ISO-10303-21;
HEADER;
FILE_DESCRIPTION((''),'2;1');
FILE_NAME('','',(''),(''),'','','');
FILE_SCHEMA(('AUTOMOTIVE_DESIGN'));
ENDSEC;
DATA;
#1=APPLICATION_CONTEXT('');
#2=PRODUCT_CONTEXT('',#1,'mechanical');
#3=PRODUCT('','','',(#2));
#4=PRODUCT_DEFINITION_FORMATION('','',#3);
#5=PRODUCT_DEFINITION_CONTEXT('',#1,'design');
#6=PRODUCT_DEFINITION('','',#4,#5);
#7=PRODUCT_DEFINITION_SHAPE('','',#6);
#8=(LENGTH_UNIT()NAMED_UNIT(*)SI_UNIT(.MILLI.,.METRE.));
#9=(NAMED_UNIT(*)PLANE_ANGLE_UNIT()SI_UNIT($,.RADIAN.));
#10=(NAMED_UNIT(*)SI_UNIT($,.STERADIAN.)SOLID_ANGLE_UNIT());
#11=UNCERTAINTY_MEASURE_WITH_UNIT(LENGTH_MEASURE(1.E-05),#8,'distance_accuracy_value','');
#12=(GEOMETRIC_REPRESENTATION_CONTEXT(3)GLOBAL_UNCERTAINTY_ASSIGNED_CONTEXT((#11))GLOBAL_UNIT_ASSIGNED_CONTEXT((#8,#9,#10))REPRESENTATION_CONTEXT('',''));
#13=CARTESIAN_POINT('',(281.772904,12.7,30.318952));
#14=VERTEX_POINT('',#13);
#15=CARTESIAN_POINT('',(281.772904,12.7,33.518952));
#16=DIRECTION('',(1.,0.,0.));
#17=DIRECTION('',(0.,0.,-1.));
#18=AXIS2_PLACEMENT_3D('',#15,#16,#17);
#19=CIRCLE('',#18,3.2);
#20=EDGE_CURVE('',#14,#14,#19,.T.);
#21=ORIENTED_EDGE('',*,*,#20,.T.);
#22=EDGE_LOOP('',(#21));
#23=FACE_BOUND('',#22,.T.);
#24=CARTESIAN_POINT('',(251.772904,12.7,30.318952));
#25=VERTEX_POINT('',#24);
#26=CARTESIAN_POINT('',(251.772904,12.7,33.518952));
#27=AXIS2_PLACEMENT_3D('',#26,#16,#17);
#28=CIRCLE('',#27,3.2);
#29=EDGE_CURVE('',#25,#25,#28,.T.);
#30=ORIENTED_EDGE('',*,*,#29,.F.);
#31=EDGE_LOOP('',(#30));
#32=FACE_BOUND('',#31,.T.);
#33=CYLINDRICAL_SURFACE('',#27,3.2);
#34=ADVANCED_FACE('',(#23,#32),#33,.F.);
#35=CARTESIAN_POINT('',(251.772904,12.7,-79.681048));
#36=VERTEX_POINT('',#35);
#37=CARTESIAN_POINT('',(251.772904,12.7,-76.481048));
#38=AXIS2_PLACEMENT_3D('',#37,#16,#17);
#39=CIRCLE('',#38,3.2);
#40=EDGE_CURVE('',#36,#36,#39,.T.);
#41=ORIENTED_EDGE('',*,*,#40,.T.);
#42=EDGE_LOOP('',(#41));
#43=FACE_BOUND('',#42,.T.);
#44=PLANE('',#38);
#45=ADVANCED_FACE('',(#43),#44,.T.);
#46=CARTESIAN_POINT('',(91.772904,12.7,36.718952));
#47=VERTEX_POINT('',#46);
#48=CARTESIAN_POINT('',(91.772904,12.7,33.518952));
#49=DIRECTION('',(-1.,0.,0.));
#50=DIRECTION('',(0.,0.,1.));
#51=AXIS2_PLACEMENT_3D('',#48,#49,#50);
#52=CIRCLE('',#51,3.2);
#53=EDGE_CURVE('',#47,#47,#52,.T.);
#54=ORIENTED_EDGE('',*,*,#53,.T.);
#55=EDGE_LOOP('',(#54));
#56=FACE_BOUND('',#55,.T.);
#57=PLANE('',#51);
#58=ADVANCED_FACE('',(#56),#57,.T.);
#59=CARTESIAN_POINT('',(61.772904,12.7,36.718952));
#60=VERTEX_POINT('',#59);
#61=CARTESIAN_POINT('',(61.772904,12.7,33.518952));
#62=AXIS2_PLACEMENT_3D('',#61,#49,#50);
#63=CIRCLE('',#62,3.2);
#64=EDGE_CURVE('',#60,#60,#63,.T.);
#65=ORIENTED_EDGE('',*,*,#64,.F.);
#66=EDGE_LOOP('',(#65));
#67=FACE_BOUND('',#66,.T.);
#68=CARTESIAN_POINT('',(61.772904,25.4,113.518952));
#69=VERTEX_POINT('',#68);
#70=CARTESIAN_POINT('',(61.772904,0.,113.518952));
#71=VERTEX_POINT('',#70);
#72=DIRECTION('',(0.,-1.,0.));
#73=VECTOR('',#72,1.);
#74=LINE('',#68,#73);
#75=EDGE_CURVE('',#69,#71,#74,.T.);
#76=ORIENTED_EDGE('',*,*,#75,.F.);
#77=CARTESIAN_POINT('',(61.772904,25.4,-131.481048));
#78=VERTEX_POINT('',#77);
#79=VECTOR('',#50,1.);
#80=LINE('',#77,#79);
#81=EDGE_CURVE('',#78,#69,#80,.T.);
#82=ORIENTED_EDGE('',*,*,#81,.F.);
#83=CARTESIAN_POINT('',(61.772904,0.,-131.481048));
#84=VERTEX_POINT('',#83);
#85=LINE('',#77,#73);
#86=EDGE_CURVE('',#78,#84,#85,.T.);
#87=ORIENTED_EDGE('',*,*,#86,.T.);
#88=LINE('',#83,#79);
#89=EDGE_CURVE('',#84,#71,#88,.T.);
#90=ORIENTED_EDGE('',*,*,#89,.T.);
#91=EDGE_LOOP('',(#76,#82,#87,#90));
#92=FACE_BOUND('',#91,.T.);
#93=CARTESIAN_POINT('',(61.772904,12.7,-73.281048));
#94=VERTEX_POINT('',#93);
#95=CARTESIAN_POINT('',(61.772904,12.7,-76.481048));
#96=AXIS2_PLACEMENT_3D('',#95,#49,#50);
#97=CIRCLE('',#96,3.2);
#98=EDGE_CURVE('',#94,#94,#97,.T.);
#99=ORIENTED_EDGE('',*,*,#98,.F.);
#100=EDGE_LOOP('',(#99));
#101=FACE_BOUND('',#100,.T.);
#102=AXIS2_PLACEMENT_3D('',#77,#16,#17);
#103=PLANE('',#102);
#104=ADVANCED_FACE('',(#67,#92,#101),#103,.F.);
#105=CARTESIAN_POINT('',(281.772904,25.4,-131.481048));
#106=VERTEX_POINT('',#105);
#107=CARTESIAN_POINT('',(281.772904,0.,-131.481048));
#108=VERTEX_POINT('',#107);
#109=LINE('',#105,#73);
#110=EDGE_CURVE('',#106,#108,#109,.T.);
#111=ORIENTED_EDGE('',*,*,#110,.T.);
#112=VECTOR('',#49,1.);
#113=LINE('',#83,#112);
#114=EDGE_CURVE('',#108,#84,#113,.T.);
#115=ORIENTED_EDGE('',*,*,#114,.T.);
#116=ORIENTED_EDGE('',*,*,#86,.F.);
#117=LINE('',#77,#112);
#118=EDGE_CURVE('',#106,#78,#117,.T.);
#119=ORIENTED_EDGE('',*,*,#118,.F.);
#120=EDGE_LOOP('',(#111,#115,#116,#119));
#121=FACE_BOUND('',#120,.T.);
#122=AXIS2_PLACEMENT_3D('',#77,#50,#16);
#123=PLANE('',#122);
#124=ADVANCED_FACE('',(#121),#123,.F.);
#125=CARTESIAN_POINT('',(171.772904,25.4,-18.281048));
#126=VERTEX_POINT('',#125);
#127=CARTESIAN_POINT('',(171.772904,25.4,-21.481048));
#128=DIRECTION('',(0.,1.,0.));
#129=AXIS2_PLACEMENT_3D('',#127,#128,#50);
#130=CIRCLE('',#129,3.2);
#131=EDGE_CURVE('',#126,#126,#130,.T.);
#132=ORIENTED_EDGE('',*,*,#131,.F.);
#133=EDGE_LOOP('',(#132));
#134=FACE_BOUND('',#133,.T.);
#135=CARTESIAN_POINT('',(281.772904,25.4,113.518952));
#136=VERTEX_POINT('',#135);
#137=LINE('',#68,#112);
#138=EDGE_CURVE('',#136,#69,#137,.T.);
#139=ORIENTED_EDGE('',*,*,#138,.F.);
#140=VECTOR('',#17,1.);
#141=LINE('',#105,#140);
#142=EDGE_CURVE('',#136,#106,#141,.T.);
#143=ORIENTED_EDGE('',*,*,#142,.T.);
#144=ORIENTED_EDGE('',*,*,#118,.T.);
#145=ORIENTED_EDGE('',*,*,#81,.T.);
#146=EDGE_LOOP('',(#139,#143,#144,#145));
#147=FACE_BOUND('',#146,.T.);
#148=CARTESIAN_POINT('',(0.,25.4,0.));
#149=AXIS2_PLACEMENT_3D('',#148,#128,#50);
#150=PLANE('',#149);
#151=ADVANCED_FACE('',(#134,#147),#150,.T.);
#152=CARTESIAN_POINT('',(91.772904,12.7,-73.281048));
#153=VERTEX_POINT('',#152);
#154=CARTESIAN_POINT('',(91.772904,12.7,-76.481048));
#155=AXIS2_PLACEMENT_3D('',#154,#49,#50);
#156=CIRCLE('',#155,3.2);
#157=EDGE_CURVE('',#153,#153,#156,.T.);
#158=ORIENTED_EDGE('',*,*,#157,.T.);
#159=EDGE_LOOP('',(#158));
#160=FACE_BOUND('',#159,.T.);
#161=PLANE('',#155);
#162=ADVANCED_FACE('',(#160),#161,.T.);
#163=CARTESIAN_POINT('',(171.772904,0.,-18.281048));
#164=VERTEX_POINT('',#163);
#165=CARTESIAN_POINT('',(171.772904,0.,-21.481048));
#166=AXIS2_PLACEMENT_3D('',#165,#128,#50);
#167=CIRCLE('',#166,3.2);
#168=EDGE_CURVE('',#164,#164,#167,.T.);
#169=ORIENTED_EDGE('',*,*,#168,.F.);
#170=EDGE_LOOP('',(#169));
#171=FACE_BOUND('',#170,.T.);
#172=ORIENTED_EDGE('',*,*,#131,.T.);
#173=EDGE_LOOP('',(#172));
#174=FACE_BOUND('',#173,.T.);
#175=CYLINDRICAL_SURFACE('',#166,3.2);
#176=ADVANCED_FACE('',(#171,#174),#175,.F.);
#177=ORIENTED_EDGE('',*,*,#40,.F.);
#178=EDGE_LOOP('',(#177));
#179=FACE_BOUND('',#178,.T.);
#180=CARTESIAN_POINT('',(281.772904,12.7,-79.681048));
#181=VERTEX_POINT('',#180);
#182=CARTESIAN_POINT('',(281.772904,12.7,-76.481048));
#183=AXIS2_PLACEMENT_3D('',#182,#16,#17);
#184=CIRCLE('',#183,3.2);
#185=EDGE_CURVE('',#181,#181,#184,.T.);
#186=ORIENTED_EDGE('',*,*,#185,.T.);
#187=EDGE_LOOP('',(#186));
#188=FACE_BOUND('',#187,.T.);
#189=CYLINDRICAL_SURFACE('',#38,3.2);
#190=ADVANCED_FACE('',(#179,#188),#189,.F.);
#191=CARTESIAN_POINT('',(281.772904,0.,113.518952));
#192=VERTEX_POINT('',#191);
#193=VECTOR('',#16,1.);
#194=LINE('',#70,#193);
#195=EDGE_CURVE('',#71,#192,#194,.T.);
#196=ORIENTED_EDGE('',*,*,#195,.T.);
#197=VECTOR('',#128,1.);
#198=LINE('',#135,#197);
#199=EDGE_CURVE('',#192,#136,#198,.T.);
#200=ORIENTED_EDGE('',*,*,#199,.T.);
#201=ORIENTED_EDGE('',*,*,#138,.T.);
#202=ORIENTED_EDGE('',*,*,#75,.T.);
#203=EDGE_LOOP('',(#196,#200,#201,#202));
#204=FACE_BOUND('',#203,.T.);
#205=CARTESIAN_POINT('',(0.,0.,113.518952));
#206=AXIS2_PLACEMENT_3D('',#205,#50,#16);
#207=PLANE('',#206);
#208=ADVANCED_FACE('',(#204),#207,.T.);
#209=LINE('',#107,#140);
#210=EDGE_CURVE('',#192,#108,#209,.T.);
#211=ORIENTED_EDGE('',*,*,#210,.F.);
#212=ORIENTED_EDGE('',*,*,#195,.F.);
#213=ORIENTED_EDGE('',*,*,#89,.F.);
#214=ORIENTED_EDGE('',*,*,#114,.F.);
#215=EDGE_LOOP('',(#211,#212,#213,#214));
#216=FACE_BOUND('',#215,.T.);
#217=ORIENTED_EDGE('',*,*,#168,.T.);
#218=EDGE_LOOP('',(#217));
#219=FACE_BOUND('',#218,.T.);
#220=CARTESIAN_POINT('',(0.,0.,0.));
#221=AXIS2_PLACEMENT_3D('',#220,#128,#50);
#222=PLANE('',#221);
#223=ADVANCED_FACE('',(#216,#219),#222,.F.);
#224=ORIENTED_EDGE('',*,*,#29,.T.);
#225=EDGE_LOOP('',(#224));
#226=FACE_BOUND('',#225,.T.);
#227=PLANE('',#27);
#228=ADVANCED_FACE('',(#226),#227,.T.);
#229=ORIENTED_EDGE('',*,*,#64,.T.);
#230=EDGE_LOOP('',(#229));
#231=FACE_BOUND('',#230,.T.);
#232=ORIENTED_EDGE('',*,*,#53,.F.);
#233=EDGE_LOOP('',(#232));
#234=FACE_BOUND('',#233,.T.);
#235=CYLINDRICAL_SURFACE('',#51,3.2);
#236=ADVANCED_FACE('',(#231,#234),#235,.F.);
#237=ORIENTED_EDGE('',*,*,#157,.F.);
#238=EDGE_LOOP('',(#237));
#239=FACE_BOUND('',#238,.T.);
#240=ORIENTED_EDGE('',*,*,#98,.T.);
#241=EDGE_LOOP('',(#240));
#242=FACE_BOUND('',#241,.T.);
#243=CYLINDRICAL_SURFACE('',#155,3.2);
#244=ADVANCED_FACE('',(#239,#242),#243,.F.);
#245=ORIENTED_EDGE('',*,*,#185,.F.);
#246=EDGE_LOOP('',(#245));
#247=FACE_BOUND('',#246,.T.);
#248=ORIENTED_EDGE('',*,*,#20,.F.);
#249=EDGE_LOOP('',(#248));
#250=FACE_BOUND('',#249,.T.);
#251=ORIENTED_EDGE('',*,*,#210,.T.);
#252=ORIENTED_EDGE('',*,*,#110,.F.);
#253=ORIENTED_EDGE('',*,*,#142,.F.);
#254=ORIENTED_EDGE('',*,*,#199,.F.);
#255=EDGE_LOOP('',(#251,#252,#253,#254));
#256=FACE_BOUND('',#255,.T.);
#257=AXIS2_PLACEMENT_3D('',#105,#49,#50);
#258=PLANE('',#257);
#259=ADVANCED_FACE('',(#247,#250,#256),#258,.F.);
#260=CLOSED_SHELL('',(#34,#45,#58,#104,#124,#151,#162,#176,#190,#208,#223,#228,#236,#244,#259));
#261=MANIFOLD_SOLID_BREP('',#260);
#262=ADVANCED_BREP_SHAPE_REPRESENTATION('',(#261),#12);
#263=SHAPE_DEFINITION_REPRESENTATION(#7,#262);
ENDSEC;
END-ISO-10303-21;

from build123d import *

# Parameters (mm, degrees)
SKETCH4_W           = 220
SKETCH4_H           = 220
BOSS_EXTRUDE2_DEPTH = 25.4
SKETCH5_R           = 3.2
CUT_EXTRUDE1_DEPTH  = 25.4
SKETCH7_R           = 3.2
CUT_EXTRUDE2_DEPTH  = 30
CUT_EXTRUDE4_START  = -30
SKETCH6_R           = 3.2
CUT_EXTRUDE4_DEPTH  = 30
SKETCH13_W          = 220
SKETCH13_H          = 25.4
BOSS_EXTRUDE3_DEPTH = 25


with BuildPart() as part:
    # Sketch4 → Boss-Extrude2 (new body)
    with BuildSketch(Plane(origin=(0, 0, 0), x_dir=(1, 0, 0), z_dir=(0, 1, 0))):
        with Locations((171.772904357, 21.481047821)):
            Rectangle(SKETCH4_W, SKETCH4_H)
    extrude(amount=BOSS_EXTRUDE2_DEPTH)

    # Sketch5 → Cut-Extrude1 (cut)
    with BuildSketch(Plane(origin=(0, 25.4, 0), x_dir=(1, 0, 0), z_dir=(0, 1, 0))):
        with Locations(Location((171.772904357, 21.481047821, 0), (0, 0, 270))):
            Circle(SKETCH5_R)
    extrude(amount=-CUT_EXTRUDE1_DEPTH, mode=Mode.SUBTRACT)

    # Sketch7 → Cut-Extrude2 (cut)
    with BuildSketch(Plane.ZY.offset(-61.772904357)):
        with Locations((-76.481047821, 12.7)):
            Circle(SKETCH7_R)
        with Locations((33.518952179, 12.7)):
            Circle(SKETCH7_R)
    extrude(amount=-CUT_EXTRUDE2_DEPTH, mode=Mode.SUBTRACT)

    # Sketch6 → Cut-Extrude4 (cut)
    with BuildSketch(Plane(origin=(281.772904357, 0, 0), x_dir=(0, 0, -1), z_dir=(1, 0, 0)).offset(CUT_EXTRUDE4_START)):
        with Locations(Location((-33.518952179, 12.7, 0), (0, 0, 180))):
            Circle(SKETCH6_R)
        with Locations(Location((76.481047821, 12.7, 0), (0, 0, 180))):
            Circle(SKETCH6_R)
    extrude(amount=CUT_EXTRUDE4_DEPTH, mode=Mode.SUBTRACT)

    # Sketch13 → Boss-Extrude3 (add)
    with BuildSketch(Plane.XY.offset(88.518952179)):
        with Locations((171.772904357, 12.7)):
            Rectangle(SKETCH13_W, SKETCH13_H)
    extrude(amount=BOSS_EXTRUDE3_DEPTH)


solid = part.part
